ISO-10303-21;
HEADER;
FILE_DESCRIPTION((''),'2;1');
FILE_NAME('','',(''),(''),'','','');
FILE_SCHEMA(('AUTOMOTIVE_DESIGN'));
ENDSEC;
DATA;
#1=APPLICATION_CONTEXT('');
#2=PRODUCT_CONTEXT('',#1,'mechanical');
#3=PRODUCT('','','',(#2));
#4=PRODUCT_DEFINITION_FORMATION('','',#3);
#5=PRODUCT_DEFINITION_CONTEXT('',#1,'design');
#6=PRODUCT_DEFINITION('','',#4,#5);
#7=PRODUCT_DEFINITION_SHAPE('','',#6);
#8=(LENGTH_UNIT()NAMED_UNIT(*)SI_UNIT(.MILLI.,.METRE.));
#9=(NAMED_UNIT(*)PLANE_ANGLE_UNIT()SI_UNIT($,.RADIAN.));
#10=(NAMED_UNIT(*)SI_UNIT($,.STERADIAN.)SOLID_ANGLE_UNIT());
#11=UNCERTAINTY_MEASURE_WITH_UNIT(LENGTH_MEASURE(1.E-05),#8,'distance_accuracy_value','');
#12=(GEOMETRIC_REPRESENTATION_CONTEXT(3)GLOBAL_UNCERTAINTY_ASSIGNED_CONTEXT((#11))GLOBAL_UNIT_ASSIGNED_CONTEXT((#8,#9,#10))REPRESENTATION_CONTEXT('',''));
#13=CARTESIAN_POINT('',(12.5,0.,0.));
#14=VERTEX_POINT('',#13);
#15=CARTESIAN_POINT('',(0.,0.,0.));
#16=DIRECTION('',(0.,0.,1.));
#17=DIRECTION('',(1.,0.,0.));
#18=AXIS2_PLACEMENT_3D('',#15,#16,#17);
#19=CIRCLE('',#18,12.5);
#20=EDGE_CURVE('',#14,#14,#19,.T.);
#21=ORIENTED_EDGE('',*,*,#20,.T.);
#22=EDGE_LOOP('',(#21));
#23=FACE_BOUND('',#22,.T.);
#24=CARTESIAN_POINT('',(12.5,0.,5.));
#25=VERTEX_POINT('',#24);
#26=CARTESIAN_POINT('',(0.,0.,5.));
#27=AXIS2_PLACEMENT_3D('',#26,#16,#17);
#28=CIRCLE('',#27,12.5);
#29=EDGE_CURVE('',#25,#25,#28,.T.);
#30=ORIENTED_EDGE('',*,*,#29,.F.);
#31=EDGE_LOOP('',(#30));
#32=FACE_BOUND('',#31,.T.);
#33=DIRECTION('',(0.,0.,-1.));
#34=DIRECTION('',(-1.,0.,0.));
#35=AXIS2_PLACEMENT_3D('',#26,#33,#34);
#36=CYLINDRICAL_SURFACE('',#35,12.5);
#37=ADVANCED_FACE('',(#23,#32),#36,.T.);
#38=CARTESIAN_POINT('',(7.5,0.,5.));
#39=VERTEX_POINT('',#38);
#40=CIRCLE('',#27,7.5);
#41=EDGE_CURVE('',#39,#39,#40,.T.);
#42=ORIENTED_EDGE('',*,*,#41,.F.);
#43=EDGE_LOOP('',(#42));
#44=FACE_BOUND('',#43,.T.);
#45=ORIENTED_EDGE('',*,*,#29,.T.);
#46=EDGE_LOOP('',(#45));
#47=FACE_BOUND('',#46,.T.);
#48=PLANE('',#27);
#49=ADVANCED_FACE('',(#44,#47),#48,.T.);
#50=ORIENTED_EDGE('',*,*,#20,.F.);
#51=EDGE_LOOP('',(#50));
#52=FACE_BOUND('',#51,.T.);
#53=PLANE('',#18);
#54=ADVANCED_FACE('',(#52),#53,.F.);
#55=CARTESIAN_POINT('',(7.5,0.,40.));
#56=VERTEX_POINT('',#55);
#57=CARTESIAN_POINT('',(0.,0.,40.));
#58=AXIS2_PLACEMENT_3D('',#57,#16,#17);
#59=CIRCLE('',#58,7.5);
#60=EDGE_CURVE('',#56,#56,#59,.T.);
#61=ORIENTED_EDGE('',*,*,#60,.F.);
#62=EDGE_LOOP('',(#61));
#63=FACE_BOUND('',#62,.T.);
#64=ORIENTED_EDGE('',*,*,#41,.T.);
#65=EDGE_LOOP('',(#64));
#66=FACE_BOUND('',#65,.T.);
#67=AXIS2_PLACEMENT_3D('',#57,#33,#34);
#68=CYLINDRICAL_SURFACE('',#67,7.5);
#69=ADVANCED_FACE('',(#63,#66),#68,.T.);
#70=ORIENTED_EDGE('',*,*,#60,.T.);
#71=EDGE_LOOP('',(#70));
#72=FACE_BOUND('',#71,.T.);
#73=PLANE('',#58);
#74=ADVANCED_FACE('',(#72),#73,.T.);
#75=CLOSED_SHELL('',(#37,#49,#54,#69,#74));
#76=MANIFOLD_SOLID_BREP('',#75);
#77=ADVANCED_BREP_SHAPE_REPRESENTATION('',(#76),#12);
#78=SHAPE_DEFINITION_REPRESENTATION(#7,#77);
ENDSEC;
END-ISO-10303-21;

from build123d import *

# Parameters (mm, degrees)
SKETCH1_R           = 12.5
SKETCH1_R_2         = 7.5
BOSS_EXTRUDE1_DEPTH = 5
SKETCH1_2_R         = 7.5
BOSS_EXTRUDE2_DEPTH = 40


with BuildPart() as part:
    # Sketch1 → Boss-Extrude1 (new body)
    with BuildSketch(Plane.XY):
        Circle(SKETCH1_R)
        Circle(SKETCH1_R_2, mode=Mode.SUBTRACT)
    extrude(amount=BOSS_EXTRUDE1_DEPTH)

    # Sketch1<2> → Boss-Extrude2 (add)
    with BuildSketch(Plane.XY):
        Circle(SKETCH1_2_R)
    extrude(amount=BOSS_EXTRUDE2_DEPTH)


solid = part.part
